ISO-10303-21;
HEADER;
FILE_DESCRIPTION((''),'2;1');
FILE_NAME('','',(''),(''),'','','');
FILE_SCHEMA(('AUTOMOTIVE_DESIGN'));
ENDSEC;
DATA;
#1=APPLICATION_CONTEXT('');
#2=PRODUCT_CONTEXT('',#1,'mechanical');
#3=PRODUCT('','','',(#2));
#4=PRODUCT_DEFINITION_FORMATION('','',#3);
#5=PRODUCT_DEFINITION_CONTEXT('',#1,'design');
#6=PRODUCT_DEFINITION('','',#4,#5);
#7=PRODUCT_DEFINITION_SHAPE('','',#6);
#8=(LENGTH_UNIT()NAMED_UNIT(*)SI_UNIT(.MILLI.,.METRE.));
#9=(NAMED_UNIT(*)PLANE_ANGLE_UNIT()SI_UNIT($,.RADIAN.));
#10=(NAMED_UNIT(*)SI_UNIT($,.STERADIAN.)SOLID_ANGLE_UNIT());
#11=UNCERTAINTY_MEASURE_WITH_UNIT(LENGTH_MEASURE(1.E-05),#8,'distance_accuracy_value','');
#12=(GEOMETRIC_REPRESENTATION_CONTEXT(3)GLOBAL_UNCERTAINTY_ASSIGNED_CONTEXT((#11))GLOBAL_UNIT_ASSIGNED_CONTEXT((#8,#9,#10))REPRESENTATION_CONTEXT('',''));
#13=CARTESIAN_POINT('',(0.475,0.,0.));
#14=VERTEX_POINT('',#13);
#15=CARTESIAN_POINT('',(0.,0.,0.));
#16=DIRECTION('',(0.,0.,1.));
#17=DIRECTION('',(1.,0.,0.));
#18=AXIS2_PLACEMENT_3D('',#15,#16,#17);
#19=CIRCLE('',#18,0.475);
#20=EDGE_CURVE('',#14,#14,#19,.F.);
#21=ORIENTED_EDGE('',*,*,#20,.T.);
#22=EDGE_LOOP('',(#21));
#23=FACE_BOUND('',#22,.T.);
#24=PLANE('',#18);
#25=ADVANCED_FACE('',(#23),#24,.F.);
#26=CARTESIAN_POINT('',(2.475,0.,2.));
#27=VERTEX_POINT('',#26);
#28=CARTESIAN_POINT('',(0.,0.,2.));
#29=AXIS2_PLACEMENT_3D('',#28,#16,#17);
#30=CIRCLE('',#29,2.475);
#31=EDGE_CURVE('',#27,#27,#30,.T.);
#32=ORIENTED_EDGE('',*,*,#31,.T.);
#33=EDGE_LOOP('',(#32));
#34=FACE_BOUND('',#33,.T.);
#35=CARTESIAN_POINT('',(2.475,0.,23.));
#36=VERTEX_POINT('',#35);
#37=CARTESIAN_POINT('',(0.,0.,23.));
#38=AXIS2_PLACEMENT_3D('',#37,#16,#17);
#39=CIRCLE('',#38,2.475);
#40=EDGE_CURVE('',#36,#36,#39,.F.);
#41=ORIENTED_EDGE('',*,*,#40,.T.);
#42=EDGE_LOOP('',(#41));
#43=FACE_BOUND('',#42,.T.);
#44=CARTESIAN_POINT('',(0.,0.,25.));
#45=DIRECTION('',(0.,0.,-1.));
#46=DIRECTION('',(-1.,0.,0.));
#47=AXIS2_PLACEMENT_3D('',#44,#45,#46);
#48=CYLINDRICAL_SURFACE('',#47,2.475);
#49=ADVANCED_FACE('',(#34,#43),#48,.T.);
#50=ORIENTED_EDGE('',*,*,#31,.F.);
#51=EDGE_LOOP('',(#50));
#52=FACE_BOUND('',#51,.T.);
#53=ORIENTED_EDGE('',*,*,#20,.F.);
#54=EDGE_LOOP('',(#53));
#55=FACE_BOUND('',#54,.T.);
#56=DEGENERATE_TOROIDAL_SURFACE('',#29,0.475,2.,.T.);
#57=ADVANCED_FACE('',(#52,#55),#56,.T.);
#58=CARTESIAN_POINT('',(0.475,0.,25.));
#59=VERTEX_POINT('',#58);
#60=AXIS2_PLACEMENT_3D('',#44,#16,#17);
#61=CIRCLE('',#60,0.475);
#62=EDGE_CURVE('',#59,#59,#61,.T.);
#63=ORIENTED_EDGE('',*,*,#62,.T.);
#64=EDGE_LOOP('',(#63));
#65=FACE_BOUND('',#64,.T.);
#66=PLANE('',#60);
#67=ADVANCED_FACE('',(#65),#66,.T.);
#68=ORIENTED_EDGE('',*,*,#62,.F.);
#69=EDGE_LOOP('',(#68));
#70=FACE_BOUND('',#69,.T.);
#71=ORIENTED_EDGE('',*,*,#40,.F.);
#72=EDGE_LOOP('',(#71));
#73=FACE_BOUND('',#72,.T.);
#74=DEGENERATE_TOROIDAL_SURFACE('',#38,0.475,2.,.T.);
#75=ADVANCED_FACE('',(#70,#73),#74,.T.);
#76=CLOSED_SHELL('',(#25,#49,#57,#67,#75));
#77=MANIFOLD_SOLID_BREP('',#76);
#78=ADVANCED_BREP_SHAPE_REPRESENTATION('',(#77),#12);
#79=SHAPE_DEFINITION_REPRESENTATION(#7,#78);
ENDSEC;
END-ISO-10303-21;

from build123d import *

# Parameters (mm, degrees)
SKETCH1_R           = 2.475
BOSS_EXTRUDE1_DEPTH = 25
FILLET1_R           = 2


with BuildPart() as part:
    # Sketch1 → Boss-Extrude1 (new body)
    with BuildSketch(Plane.XY):
        Circle(SKETCH1_R)
    extrude(amount=BOSS_EXTRUDE1_DEPTH)

    # Fillet1
    fillet1_edges = [part.edges().sort_by_distance(p)[0] for p in [
        (-2.475, 0, 0),
        (-2.475, 0, 25),
    ]]
    fillet(fillet1_edges, radius=FILLET1_R)


solid = part.part
